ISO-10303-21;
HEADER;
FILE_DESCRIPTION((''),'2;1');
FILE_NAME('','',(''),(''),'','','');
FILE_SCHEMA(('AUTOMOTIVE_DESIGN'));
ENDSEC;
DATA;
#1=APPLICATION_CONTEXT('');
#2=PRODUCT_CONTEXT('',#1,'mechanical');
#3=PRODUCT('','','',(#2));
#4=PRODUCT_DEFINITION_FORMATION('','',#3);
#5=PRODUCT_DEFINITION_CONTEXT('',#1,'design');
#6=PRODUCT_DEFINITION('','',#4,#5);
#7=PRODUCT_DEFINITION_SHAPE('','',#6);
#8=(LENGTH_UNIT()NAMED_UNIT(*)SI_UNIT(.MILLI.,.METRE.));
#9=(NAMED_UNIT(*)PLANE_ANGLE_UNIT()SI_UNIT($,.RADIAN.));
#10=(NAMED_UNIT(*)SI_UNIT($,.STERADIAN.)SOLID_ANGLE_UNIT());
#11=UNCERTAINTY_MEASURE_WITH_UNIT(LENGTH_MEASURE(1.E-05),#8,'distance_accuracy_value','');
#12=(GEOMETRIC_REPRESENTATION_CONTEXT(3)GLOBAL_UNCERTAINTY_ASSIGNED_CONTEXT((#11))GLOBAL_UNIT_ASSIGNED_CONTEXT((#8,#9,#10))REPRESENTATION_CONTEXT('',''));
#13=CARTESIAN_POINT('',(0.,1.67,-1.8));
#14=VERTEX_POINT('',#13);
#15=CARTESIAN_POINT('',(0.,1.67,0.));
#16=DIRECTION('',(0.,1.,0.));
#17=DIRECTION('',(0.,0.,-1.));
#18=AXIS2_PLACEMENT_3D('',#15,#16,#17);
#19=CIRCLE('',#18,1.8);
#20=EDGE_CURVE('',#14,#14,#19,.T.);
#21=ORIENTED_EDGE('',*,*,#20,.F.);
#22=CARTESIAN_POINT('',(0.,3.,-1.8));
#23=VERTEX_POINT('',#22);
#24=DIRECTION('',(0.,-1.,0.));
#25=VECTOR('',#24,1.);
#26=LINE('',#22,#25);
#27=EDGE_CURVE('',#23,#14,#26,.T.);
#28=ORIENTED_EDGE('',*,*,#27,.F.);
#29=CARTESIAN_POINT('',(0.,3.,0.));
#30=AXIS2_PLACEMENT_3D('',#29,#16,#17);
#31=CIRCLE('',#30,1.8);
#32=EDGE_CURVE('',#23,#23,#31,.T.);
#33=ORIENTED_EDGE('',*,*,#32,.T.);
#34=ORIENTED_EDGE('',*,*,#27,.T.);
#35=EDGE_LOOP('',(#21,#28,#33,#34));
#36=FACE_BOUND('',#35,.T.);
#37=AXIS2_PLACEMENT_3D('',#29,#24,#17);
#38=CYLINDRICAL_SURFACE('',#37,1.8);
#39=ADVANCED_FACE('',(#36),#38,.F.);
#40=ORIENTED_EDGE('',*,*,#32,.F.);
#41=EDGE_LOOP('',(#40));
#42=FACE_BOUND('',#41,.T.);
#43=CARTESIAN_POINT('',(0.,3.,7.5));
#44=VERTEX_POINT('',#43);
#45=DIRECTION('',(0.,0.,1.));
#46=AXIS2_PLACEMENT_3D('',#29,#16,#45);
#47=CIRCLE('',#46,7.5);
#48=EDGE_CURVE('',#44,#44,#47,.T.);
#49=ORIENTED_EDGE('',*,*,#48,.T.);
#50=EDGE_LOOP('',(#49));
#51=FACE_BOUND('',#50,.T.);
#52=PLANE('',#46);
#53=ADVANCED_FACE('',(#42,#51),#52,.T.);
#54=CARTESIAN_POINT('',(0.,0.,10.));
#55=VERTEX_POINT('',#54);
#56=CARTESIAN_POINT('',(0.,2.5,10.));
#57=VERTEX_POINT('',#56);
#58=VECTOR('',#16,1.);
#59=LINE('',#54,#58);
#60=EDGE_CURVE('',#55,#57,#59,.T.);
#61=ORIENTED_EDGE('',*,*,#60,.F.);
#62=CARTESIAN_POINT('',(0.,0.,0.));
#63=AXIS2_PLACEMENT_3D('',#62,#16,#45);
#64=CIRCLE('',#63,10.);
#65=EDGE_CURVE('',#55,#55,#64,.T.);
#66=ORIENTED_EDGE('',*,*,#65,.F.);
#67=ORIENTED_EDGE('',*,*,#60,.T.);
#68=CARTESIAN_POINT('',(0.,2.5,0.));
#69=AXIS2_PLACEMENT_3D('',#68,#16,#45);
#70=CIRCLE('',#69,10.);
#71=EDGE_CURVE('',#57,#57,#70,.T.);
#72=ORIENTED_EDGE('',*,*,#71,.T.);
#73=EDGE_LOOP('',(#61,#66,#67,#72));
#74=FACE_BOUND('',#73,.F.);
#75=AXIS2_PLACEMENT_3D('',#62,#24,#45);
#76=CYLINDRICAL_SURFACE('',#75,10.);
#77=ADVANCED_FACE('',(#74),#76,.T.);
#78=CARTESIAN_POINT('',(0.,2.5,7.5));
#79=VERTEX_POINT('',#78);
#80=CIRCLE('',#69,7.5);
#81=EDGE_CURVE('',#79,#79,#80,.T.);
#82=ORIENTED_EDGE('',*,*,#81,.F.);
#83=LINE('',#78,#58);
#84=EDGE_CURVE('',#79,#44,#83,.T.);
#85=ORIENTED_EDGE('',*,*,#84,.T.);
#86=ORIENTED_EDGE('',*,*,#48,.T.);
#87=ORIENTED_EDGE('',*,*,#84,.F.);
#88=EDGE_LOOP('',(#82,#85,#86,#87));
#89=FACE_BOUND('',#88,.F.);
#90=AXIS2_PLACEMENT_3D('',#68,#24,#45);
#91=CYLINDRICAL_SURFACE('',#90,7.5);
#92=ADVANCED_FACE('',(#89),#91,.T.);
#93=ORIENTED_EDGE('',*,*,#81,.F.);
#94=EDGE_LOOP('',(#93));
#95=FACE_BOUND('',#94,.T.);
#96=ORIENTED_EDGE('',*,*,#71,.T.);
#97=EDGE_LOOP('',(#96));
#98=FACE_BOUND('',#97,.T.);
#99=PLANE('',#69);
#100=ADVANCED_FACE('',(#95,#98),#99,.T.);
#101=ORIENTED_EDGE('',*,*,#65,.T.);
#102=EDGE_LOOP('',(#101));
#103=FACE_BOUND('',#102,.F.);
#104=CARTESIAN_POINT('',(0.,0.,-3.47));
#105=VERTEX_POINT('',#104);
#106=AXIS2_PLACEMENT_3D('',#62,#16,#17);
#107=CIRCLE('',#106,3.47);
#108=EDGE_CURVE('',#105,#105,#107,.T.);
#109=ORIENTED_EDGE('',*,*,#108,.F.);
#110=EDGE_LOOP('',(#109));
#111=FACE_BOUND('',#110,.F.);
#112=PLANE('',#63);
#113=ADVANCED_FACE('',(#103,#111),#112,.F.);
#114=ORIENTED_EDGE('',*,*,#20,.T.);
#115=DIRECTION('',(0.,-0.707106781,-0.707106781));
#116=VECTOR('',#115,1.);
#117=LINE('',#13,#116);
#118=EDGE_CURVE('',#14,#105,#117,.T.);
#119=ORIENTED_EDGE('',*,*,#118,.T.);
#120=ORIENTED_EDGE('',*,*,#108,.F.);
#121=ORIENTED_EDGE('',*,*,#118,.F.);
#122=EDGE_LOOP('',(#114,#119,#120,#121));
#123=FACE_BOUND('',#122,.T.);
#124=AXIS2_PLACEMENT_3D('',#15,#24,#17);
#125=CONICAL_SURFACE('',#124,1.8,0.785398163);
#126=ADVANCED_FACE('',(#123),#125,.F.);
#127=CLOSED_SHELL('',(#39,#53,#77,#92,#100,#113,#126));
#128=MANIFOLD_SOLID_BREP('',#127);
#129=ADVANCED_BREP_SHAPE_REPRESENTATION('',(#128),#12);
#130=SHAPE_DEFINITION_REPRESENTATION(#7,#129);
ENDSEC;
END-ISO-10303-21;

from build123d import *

# Parameters (mm, degrees)
SKETCH1_R           = 10
BOSS_EXTRUDE1_DEPTH = 2.5
SKETCH2_R           = 7.5
BOSS_EXTRUDE2_DEPTH = 0.5


with BuildPart() as part:
    # Sketch1 → Boss-Extrude1 (new body)
    with BuildSketch(Plane(origin=(0, 0, 0), x_dir=(1, 0, 0), z_dir=(0, 1, 0))):
        with Locations(Location((0, 0, 0), (0, 0, 270))):
            Circle(SKETCH1_R)
    extrude(amount=BOSS_EXTRUDE1_DEPTH)

    # Sketch2 → Boss-Extrude2 (add)
    with BuildSketch(Plane(origin=(0, 2.5, 0), x_dir=(1, 0, 0), z_dir=(0, 1, 0))):
        with Locations(Location((0, 0, 0), (0, 0, 270))):
            Circle(SKETCH2_R)
    extrude(amount=BOSS_EXTRUDE2_DEPTH)

    # Sketch4 → CSK for M3 Hex Socket Countersunk Head Screw1 (revolve, cut)
    with BuildSketch(Plane(origin=(0, 0, 0), x_dir=(0, 0, -1), z_dir=(1, 0, 0))):
        Polygon((0, 0), (0, 3), (1.8, 3), (1.8, 1.67), (3.47, 0), align=None)
    revolve(axis=Axis((0, -6.35, 0), (0, 1, 0)), mode=Mode.SUBTRACT)


solid = part.part
